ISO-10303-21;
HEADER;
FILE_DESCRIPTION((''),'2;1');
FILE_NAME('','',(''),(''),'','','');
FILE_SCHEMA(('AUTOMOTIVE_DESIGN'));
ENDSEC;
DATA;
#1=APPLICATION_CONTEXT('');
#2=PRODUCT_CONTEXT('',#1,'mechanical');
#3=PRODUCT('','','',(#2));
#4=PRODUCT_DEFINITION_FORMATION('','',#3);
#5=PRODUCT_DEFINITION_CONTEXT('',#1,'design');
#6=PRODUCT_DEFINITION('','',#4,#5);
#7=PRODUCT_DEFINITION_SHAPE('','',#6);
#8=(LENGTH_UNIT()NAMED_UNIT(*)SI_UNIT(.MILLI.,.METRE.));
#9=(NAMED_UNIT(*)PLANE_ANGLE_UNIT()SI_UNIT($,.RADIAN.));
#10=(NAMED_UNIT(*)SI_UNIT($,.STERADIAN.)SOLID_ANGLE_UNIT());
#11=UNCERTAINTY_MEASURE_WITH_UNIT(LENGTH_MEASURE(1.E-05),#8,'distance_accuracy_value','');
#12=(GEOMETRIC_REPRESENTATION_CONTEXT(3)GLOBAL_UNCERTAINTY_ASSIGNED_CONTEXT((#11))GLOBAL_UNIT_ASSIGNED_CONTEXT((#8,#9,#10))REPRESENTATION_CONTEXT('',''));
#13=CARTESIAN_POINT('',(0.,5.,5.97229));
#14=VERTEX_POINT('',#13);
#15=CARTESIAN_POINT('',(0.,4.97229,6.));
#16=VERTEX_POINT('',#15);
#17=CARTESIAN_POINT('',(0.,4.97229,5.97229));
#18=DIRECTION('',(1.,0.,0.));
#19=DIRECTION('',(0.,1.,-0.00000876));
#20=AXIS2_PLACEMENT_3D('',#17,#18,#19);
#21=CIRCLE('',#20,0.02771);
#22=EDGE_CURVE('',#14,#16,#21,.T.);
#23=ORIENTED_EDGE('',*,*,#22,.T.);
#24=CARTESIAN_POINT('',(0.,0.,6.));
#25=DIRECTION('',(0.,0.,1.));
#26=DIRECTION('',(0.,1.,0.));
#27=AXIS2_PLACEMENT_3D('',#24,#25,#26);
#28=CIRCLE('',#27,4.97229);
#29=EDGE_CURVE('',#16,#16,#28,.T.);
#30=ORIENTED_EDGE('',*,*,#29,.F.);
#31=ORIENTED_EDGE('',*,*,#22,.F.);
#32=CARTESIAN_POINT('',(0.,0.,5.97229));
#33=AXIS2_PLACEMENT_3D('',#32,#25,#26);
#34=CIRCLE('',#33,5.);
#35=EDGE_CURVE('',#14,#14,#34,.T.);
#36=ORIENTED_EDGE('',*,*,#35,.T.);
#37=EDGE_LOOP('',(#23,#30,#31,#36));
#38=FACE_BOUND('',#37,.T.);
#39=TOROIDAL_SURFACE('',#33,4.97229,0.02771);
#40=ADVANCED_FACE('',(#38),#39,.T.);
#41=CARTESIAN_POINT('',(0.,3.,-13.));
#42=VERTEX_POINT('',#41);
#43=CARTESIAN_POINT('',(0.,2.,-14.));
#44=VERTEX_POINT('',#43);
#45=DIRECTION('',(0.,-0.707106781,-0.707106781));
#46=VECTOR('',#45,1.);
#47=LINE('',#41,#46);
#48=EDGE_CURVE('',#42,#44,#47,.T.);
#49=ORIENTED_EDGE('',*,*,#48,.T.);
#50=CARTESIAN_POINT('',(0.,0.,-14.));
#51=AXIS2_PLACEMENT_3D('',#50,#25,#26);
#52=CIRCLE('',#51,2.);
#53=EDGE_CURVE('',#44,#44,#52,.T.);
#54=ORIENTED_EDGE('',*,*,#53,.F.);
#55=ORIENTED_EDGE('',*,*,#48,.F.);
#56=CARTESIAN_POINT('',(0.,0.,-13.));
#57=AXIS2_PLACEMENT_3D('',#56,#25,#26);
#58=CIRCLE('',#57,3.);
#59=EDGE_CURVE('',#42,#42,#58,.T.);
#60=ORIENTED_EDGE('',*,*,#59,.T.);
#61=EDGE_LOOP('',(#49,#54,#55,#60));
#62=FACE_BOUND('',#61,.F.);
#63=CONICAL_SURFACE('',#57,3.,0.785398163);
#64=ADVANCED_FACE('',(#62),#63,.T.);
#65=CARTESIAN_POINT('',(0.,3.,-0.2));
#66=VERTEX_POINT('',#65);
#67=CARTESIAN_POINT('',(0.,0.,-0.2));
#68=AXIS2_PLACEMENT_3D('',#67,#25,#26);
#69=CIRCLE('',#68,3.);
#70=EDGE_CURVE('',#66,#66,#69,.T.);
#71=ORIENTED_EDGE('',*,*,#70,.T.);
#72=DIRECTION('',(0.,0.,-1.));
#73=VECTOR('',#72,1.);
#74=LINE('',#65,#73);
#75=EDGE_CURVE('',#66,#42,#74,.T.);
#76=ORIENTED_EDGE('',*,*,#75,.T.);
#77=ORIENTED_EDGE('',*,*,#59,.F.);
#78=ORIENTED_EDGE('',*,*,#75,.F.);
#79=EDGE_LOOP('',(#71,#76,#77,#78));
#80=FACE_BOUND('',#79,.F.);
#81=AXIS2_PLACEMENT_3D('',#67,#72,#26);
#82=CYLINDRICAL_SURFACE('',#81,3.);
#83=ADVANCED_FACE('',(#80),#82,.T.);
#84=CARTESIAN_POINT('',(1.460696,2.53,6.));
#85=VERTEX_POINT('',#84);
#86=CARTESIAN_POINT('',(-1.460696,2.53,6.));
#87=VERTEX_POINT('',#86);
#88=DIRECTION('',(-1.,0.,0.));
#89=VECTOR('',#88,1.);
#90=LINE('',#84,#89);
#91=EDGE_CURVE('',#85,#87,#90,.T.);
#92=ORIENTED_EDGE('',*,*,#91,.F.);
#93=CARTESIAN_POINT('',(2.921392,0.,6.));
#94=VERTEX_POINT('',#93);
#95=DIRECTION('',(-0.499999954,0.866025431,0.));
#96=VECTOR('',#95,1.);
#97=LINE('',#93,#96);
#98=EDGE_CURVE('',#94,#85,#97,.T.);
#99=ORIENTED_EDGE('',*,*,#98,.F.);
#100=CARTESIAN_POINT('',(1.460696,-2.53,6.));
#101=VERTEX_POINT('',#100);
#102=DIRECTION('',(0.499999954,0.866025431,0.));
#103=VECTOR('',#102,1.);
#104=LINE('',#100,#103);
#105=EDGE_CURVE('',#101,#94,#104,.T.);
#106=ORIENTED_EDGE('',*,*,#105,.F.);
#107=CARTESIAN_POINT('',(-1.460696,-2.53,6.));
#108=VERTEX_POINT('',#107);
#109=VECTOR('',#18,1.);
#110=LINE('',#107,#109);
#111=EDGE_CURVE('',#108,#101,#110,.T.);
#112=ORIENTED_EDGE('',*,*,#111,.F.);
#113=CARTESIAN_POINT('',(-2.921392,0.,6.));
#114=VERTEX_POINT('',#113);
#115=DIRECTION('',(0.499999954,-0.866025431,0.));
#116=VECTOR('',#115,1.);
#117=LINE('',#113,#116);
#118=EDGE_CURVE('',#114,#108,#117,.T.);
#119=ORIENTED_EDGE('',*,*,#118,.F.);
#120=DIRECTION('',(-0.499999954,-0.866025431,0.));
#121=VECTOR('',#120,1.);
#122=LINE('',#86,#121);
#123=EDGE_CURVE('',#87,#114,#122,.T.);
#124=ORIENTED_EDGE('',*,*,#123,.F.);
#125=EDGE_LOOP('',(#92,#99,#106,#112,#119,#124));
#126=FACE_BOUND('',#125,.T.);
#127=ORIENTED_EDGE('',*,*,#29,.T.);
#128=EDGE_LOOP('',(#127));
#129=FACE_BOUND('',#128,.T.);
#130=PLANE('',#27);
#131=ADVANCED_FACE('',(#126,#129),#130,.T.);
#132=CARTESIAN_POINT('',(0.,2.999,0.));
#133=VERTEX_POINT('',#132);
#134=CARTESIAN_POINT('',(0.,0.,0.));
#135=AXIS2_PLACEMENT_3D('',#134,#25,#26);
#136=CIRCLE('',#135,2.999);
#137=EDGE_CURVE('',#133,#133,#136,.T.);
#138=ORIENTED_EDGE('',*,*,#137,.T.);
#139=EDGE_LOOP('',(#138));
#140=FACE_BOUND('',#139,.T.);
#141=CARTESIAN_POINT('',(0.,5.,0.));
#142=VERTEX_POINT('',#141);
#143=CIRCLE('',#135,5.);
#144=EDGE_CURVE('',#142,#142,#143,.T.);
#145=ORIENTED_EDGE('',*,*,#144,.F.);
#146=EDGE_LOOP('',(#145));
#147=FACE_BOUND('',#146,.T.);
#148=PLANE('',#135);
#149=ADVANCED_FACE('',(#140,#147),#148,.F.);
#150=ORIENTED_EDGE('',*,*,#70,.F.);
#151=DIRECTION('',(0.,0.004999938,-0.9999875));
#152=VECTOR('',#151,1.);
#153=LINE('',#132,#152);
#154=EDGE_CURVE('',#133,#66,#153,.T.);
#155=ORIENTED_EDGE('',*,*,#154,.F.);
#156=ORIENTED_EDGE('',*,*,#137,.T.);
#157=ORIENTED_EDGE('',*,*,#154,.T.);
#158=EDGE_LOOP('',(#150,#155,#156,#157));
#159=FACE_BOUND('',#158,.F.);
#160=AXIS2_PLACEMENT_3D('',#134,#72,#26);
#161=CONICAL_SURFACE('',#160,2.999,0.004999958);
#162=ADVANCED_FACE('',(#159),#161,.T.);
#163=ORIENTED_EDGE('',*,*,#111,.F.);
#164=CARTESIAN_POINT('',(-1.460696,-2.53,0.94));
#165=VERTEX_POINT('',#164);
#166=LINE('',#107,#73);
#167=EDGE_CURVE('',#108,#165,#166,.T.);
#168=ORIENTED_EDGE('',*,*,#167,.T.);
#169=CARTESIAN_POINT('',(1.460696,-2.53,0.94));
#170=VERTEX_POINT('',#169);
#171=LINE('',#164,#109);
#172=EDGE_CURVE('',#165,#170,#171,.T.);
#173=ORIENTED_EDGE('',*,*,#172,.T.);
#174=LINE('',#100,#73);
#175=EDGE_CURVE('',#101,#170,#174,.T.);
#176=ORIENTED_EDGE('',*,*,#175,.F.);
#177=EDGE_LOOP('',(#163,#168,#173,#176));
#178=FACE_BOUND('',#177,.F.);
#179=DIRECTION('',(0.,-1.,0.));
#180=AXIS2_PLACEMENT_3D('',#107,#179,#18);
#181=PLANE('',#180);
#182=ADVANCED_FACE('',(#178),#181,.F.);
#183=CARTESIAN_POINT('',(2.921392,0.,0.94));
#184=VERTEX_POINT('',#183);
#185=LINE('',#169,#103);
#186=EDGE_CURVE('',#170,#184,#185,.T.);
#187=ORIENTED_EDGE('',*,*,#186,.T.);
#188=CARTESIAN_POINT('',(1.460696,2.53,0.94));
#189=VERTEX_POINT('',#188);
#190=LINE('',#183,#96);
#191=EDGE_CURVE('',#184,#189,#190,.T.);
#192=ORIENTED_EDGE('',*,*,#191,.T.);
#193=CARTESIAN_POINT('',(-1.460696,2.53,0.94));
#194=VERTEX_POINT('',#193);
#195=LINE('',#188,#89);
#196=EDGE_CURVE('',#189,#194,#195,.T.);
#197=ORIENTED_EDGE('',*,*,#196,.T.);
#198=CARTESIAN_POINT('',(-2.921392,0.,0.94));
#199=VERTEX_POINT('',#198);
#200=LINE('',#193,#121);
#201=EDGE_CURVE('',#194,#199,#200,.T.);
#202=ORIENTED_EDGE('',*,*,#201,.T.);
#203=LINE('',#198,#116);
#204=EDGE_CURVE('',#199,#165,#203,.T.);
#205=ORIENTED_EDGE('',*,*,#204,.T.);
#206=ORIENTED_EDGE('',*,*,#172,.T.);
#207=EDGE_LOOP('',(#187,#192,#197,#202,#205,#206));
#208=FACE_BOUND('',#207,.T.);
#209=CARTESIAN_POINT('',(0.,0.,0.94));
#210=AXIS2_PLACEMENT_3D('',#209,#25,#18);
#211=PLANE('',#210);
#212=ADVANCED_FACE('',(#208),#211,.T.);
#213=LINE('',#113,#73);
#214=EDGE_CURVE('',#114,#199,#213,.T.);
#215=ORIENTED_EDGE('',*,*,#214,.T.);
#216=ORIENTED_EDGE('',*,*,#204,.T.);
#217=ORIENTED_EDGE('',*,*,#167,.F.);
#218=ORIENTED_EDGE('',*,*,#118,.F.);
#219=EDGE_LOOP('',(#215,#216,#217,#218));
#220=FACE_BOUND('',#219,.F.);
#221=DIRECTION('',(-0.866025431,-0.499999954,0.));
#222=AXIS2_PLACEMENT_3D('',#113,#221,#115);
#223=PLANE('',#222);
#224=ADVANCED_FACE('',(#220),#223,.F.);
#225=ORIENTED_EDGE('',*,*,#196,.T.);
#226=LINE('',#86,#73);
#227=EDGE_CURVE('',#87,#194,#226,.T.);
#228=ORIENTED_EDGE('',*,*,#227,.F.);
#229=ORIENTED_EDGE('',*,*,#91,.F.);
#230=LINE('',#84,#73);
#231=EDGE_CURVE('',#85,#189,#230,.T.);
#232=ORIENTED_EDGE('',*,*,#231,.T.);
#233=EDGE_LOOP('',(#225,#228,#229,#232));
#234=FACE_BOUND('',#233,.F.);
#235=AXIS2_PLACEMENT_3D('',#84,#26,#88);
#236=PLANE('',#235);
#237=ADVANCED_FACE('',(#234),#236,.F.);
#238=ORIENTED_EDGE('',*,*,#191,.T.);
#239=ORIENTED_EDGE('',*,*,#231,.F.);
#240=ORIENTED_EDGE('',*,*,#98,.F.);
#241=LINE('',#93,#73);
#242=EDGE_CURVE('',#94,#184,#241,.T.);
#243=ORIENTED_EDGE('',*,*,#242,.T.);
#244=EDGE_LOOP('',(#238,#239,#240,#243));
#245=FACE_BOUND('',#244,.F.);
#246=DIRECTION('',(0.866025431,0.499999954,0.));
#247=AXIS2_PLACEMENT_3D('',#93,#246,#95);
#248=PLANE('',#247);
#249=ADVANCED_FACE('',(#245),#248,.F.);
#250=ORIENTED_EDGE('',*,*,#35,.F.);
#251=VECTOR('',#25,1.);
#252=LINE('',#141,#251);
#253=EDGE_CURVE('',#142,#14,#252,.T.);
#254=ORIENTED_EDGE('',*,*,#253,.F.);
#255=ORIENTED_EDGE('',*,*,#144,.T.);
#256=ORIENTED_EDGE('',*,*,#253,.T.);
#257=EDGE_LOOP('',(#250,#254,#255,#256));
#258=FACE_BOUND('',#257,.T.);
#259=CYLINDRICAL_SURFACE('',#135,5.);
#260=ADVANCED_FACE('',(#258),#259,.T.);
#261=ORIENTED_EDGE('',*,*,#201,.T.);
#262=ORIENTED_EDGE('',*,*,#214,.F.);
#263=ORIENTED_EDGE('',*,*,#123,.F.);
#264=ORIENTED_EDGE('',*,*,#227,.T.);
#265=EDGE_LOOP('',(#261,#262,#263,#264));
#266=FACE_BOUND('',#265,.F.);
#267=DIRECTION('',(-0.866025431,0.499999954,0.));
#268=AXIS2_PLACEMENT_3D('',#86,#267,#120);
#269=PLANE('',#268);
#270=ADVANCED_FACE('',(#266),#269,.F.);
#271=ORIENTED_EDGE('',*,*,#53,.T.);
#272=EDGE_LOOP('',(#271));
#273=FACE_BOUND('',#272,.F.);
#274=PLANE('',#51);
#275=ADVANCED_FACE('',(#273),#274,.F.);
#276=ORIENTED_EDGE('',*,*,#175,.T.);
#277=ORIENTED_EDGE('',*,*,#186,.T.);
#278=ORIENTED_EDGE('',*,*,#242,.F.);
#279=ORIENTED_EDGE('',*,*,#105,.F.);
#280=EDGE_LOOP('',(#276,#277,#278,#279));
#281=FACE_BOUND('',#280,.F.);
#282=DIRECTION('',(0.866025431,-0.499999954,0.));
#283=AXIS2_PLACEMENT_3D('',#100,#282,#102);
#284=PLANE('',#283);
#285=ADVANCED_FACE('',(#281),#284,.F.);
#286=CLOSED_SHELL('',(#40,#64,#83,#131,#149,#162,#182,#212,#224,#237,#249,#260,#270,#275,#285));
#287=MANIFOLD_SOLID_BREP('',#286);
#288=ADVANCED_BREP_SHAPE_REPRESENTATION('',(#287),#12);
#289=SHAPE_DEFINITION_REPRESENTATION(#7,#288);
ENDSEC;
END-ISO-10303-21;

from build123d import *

# Parameters (mm, degrees)
POCKET_DEPTH = 5.06


with BuildPart() as part:
    # Sketch → Revolve (revolve)
    with BuildSketch(Plane.YZ):
        with BuildLine():
            Line((2.999, 0), (5, 0))
            Line((5, 0), (5, 5.97229))
            ThreePointArc((5, 5.97229), (4.991884, 5.991884), (4.97229, 6))
            Line((4.97229, 6), (0, 6))
            Line((0, -14), (0, 6))
            Line((2, -14), (0, -14))
            Line((3, -13), (2, -14))
            Line((3, -0.2), (3, -13))
            Line((2.999, 0), (3, -0.2))
        make_face()
    revolve(axis=Axis((0, 0, 0), (0, 0, 1)))

    # Sketch001 → Pocket (cut)
    with BuildSketch(Plane.XY.offset(6)):
        Polygon((2.921392, 0), (1.460696, 2.53), (-1.460696, 2.53), (-2.921392, 0), (-1.460696, -2.53), (1.460696, -2.53), align=None)
    extrude(amount=-POCKET_DEPTH, mode=Mode.SUBTRACT)


solid = part.part
